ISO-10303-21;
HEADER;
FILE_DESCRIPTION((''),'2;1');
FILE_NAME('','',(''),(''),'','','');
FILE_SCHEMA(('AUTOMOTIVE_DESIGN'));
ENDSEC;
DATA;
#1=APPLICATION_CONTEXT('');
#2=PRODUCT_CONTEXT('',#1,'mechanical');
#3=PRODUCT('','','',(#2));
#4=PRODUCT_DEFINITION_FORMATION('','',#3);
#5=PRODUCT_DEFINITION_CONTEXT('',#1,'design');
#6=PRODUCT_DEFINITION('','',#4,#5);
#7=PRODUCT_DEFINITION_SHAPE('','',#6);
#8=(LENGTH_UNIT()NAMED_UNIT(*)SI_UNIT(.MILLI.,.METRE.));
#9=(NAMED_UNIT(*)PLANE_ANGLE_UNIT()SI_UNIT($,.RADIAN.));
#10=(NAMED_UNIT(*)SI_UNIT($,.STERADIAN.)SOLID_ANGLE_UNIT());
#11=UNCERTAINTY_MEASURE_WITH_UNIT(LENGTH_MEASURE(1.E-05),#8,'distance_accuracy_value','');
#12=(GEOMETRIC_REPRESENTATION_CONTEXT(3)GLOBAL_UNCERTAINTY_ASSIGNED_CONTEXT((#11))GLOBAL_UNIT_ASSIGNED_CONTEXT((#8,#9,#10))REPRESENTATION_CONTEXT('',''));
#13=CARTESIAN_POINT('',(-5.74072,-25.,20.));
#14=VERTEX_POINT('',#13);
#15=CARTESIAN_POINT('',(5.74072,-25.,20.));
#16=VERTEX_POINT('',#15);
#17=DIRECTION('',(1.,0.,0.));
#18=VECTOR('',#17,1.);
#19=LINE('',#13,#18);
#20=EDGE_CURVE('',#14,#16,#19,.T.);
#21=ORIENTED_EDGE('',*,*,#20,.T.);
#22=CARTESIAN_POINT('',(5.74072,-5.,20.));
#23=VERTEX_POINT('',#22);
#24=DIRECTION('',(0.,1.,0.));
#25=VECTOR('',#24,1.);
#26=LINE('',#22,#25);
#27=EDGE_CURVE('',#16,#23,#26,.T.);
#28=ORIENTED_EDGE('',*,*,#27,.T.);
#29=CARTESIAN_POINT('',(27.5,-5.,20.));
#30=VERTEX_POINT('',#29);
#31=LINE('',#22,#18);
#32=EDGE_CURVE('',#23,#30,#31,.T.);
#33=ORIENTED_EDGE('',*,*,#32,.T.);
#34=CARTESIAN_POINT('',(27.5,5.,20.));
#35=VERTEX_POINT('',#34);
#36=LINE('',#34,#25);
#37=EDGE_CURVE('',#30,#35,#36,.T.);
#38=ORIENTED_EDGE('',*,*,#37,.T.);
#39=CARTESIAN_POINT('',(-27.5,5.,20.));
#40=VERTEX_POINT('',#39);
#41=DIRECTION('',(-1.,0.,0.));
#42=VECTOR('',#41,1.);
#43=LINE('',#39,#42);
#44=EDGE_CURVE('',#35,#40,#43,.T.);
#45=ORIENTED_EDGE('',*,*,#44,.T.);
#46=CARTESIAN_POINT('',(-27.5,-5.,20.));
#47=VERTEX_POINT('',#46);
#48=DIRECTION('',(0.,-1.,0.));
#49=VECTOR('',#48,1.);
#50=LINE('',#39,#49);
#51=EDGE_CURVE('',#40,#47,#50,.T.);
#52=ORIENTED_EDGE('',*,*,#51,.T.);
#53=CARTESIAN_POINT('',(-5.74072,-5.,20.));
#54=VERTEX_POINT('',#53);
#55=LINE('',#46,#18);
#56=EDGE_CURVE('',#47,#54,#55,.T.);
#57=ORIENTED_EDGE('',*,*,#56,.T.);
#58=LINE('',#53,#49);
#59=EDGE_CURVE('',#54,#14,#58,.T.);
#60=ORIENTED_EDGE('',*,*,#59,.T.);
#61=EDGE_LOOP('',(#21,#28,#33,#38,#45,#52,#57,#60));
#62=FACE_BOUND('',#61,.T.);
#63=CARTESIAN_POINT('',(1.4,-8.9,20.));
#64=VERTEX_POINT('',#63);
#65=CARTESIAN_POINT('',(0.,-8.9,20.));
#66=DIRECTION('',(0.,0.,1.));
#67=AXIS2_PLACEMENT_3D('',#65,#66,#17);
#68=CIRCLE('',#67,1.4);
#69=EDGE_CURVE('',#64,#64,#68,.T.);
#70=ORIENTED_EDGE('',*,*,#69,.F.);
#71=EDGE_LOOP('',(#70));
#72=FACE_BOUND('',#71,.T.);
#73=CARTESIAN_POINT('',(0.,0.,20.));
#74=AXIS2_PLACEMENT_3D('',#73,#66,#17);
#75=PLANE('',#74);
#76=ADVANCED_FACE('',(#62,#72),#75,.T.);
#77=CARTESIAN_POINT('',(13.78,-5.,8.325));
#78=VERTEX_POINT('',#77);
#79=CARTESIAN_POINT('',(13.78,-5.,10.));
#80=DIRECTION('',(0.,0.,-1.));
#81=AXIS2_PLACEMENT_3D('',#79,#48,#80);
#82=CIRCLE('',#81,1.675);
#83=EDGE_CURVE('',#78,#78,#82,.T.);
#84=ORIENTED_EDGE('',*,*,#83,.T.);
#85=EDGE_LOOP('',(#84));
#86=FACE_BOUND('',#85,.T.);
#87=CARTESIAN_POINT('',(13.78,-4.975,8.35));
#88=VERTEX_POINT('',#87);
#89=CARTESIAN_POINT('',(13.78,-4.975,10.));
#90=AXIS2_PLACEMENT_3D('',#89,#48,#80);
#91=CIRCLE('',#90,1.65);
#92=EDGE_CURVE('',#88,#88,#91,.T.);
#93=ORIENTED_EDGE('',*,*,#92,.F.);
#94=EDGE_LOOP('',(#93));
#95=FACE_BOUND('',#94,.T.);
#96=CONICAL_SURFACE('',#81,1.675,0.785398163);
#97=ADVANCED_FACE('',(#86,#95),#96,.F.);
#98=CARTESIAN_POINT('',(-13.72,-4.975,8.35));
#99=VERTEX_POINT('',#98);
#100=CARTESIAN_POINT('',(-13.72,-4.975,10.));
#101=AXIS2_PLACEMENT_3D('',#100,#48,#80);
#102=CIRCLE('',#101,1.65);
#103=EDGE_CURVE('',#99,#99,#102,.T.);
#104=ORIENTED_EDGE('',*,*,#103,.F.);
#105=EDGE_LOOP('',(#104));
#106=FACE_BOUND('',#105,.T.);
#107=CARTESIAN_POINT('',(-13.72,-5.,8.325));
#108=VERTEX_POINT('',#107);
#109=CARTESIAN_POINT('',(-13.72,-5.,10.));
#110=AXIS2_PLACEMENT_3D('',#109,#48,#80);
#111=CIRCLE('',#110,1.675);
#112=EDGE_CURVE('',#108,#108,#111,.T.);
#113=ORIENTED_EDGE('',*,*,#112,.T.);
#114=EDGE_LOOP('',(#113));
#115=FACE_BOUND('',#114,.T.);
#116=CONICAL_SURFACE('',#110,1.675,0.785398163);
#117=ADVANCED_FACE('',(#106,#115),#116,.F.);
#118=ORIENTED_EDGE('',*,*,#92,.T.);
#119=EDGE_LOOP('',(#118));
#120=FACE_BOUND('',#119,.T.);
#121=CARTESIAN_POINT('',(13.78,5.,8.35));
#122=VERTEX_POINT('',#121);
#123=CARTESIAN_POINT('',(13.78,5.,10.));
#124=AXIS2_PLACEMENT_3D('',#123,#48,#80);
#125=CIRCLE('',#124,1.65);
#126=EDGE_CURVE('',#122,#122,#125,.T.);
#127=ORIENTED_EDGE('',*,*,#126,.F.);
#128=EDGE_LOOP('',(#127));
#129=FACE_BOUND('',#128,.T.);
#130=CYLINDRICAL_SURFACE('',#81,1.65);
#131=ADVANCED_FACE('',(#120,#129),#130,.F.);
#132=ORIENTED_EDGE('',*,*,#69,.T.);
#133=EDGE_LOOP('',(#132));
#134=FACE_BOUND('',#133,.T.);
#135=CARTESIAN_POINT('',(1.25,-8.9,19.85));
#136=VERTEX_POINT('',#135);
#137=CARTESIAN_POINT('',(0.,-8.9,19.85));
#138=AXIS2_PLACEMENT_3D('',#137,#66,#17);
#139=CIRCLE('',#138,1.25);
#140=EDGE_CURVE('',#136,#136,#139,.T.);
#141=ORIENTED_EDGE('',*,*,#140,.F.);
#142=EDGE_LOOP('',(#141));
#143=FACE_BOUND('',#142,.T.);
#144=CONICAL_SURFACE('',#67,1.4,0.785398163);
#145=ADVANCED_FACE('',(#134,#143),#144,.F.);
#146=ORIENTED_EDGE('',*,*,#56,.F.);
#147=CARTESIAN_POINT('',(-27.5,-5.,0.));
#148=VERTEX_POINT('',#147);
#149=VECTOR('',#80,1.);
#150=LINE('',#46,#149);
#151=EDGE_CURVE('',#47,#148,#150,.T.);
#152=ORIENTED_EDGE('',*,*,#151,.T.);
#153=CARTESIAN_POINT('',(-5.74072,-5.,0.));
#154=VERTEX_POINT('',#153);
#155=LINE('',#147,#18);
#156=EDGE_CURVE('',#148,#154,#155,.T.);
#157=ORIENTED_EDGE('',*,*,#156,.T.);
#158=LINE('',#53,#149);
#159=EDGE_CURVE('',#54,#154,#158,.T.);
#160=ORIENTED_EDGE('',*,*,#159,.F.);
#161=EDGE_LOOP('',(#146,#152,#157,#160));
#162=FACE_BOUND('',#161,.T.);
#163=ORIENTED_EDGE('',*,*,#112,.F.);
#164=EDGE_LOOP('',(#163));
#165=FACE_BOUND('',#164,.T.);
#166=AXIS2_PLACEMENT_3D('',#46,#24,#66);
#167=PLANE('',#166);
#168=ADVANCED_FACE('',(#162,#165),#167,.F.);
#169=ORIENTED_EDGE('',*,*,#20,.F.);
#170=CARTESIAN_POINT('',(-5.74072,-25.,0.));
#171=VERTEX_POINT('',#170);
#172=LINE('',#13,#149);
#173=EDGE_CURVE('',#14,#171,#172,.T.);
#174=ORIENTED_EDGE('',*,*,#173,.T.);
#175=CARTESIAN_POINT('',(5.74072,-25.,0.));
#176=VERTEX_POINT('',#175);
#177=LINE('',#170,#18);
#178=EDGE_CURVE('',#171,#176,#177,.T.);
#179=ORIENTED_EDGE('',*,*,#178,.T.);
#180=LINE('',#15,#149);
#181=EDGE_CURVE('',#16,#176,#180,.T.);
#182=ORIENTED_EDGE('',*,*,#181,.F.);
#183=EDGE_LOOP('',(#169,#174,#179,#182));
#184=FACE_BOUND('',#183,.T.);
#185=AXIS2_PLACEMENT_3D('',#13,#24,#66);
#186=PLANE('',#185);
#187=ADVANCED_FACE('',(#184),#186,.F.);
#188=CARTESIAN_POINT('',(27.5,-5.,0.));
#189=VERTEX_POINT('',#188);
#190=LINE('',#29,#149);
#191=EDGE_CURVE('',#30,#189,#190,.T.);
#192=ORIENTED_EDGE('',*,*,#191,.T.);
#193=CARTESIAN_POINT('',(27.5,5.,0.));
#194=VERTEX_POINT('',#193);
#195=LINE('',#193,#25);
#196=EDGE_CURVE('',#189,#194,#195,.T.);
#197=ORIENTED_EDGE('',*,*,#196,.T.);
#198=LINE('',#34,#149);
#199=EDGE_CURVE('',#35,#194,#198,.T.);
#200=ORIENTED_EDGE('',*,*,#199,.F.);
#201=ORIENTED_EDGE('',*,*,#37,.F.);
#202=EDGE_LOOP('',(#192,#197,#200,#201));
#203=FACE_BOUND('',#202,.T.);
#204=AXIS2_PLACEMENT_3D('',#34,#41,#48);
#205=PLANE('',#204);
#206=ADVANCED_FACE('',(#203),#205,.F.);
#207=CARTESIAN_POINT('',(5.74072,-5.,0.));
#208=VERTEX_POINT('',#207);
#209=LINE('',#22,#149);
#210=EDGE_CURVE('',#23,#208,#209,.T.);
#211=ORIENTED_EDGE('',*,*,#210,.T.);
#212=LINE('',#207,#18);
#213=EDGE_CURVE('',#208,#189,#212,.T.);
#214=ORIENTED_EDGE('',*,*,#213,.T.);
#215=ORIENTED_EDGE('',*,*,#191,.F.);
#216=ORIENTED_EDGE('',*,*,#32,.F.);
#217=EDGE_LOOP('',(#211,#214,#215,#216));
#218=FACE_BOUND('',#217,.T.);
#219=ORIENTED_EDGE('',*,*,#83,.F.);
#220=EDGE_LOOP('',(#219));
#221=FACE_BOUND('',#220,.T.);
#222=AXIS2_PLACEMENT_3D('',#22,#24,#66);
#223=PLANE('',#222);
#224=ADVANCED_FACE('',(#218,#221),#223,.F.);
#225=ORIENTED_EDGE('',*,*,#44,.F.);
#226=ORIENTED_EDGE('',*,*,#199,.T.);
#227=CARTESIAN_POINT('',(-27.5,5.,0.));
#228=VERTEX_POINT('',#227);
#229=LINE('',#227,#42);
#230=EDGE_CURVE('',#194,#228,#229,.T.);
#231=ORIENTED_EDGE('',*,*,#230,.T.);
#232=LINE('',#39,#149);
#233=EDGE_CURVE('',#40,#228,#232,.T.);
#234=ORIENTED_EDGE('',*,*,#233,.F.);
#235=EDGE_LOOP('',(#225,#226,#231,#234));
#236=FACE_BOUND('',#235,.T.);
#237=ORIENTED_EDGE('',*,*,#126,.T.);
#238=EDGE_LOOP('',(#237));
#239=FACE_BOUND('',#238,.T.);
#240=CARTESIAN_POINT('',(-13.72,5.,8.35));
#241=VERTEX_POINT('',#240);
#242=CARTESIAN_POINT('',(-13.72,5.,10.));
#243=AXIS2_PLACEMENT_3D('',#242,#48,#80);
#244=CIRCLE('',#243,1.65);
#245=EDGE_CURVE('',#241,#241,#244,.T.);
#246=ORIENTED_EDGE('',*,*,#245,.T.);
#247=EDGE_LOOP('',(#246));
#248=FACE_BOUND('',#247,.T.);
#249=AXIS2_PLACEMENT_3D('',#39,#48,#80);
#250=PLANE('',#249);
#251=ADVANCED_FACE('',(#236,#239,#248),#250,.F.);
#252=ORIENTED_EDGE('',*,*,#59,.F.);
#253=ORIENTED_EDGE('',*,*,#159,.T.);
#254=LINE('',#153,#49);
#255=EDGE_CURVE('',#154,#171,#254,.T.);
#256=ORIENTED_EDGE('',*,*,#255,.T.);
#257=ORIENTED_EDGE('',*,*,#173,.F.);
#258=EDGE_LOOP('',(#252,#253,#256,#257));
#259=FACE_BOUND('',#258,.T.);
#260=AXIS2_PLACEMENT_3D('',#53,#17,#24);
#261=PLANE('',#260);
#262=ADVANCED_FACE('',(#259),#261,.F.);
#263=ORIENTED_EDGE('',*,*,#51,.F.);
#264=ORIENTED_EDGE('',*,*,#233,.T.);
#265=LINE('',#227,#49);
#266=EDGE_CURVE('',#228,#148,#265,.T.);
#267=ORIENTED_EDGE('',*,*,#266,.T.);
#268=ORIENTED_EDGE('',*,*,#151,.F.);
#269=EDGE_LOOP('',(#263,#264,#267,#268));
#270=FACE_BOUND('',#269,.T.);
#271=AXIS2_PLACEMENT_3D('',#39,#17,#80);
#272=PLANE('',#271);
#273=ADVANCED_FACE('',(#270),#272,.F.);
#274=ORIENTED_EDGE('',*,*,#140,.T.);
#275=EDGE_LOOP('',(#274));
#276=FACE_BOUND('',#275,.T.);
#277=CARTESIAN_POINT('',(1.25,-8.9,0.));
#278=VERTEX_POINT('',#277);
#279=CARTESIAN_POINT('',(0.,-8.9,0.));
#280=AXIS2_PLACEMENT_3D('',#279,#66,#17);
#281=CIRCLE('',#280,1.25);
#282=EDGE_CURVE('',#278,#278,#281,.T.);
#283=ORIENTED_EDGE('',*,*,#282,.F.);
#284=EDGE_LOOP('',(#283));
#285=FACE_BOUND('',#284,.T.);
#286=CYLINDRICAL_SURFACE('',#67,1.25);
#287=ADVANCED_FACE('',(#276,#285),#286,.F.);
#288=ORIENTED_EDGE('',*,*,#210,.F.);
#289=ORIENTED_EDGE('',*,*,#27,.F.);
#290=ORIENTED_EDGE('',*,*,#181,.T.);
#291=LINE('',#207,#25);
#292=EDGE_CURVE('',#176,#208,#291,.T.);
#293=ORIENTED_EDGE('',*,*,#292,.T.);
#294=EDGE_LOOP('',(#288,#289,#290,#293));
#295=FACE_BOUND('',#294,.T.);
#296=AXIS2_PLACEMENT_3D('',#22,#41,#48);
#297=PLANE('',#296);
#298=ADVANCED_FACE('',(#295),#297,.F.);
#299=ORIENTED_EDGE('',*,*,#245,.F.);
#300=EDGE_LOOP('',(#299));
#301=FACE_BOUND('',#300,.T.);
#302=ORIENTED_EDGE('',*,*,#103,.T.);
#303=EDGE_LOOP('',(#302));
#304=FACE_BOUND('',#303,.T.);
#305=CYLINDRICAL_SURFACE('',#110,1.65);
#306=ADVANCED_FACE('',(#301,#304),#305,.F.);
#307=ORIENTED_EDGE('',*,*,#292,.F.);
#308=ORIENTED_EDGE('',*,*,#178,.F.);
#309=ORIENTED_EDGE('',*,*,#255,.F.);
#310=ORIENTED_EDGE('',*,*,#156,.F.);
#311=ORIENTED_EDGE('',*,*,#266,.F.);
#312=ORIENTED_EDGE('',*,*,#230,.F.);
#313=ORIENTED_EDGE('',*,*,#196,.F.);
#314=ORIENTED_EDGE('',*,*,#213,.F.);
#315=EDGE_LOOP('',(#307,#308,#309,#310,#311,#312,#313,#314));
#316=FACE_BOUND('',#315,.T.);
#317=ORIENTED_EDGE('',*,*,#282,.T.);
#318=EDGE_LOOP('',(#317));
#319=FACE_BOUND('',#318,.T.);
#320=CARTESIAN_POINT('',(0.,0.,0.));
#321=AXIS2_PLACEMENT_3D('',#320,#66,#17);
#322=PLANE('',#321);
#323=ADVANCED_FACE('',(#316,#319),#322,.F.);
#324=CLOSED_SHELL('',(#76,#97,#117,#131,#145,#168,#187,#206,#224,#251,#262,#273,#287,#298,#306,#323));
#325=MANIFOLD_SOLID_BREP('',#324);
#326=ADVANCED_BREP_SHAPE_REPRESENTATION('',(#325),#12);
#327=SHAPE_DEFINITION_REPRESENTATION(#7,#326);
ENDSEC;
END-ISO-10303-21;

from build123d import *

# Parameters (mm, degrees)
BOSS_EXTRUDE1_DEPTH               = 20
TAP_DRILL_FOR_M3_TAP1_D           = 2.5
TAP_DRILL_FOR_M3_TAP1_CSINK_D     = 2.8
TAP_DRILL_FOR_M3_TAP1_CSINK_ANGLE = 90
TAP_DRILL_FOR_M4_TAP1_D           = 3.3
TAP_DRILL_FOR_M4_TAP1_CSINK_D     = 3.35
TAP_DRILL_FOR_M4_TAP1_CSINK_ANGLE = 90


with BuildPart() as part:
    # Sketch1 → Boss-Extrude1 (new body)
    with BuildSketch(Plane.XY):
        Polygon((5.74072013, -5), (27.5, -5), (27.5, 5), (-27.5, 5), (-27.5, -5), (-5.74072013, -5), (-5.74072013, -25), (5.74072013, -25), align=None)
    extrude(amount=BOSS_EXTRUDE1_DEPTH)

    # Tap Drill for M3 Tap1 (through all)
    with Locations(Plane(origin=(0, -8.9, 20), x_dir=(1, 0, 0), z_dir=(0, 0, 1))):
        with Locations((0, 0)):
            CounterSinkHole(TAP_DRILL_FOR_M3_TAP1_D / 2, TAP_DRILL_FOR_M3_TAP1_CSINK_D / 2, counter_sink_angle=TAP_DRILL_FOR_M3_TAP1_CSINK_ANGLE)

    # Tap Drill for M4 Tap1 (through all)
    with Locations(Plane(origin=(13.78, -5, 10), x_dir=(0, 0, -1), z_dir=(0, -1, 0))):
        with Locations((0, 0), (0, -27.5)):
            CounterSinkHole(TAP_DRILL_FOR_M4_TAP1_D / 2, TAP_DRILL_FOR_M4_TAP1_CSINK_D / 2, counter_sink_angle=TAP_DRILL_FOR_M4_TAP1_CSINK_ANGLE)


solid = part.part
